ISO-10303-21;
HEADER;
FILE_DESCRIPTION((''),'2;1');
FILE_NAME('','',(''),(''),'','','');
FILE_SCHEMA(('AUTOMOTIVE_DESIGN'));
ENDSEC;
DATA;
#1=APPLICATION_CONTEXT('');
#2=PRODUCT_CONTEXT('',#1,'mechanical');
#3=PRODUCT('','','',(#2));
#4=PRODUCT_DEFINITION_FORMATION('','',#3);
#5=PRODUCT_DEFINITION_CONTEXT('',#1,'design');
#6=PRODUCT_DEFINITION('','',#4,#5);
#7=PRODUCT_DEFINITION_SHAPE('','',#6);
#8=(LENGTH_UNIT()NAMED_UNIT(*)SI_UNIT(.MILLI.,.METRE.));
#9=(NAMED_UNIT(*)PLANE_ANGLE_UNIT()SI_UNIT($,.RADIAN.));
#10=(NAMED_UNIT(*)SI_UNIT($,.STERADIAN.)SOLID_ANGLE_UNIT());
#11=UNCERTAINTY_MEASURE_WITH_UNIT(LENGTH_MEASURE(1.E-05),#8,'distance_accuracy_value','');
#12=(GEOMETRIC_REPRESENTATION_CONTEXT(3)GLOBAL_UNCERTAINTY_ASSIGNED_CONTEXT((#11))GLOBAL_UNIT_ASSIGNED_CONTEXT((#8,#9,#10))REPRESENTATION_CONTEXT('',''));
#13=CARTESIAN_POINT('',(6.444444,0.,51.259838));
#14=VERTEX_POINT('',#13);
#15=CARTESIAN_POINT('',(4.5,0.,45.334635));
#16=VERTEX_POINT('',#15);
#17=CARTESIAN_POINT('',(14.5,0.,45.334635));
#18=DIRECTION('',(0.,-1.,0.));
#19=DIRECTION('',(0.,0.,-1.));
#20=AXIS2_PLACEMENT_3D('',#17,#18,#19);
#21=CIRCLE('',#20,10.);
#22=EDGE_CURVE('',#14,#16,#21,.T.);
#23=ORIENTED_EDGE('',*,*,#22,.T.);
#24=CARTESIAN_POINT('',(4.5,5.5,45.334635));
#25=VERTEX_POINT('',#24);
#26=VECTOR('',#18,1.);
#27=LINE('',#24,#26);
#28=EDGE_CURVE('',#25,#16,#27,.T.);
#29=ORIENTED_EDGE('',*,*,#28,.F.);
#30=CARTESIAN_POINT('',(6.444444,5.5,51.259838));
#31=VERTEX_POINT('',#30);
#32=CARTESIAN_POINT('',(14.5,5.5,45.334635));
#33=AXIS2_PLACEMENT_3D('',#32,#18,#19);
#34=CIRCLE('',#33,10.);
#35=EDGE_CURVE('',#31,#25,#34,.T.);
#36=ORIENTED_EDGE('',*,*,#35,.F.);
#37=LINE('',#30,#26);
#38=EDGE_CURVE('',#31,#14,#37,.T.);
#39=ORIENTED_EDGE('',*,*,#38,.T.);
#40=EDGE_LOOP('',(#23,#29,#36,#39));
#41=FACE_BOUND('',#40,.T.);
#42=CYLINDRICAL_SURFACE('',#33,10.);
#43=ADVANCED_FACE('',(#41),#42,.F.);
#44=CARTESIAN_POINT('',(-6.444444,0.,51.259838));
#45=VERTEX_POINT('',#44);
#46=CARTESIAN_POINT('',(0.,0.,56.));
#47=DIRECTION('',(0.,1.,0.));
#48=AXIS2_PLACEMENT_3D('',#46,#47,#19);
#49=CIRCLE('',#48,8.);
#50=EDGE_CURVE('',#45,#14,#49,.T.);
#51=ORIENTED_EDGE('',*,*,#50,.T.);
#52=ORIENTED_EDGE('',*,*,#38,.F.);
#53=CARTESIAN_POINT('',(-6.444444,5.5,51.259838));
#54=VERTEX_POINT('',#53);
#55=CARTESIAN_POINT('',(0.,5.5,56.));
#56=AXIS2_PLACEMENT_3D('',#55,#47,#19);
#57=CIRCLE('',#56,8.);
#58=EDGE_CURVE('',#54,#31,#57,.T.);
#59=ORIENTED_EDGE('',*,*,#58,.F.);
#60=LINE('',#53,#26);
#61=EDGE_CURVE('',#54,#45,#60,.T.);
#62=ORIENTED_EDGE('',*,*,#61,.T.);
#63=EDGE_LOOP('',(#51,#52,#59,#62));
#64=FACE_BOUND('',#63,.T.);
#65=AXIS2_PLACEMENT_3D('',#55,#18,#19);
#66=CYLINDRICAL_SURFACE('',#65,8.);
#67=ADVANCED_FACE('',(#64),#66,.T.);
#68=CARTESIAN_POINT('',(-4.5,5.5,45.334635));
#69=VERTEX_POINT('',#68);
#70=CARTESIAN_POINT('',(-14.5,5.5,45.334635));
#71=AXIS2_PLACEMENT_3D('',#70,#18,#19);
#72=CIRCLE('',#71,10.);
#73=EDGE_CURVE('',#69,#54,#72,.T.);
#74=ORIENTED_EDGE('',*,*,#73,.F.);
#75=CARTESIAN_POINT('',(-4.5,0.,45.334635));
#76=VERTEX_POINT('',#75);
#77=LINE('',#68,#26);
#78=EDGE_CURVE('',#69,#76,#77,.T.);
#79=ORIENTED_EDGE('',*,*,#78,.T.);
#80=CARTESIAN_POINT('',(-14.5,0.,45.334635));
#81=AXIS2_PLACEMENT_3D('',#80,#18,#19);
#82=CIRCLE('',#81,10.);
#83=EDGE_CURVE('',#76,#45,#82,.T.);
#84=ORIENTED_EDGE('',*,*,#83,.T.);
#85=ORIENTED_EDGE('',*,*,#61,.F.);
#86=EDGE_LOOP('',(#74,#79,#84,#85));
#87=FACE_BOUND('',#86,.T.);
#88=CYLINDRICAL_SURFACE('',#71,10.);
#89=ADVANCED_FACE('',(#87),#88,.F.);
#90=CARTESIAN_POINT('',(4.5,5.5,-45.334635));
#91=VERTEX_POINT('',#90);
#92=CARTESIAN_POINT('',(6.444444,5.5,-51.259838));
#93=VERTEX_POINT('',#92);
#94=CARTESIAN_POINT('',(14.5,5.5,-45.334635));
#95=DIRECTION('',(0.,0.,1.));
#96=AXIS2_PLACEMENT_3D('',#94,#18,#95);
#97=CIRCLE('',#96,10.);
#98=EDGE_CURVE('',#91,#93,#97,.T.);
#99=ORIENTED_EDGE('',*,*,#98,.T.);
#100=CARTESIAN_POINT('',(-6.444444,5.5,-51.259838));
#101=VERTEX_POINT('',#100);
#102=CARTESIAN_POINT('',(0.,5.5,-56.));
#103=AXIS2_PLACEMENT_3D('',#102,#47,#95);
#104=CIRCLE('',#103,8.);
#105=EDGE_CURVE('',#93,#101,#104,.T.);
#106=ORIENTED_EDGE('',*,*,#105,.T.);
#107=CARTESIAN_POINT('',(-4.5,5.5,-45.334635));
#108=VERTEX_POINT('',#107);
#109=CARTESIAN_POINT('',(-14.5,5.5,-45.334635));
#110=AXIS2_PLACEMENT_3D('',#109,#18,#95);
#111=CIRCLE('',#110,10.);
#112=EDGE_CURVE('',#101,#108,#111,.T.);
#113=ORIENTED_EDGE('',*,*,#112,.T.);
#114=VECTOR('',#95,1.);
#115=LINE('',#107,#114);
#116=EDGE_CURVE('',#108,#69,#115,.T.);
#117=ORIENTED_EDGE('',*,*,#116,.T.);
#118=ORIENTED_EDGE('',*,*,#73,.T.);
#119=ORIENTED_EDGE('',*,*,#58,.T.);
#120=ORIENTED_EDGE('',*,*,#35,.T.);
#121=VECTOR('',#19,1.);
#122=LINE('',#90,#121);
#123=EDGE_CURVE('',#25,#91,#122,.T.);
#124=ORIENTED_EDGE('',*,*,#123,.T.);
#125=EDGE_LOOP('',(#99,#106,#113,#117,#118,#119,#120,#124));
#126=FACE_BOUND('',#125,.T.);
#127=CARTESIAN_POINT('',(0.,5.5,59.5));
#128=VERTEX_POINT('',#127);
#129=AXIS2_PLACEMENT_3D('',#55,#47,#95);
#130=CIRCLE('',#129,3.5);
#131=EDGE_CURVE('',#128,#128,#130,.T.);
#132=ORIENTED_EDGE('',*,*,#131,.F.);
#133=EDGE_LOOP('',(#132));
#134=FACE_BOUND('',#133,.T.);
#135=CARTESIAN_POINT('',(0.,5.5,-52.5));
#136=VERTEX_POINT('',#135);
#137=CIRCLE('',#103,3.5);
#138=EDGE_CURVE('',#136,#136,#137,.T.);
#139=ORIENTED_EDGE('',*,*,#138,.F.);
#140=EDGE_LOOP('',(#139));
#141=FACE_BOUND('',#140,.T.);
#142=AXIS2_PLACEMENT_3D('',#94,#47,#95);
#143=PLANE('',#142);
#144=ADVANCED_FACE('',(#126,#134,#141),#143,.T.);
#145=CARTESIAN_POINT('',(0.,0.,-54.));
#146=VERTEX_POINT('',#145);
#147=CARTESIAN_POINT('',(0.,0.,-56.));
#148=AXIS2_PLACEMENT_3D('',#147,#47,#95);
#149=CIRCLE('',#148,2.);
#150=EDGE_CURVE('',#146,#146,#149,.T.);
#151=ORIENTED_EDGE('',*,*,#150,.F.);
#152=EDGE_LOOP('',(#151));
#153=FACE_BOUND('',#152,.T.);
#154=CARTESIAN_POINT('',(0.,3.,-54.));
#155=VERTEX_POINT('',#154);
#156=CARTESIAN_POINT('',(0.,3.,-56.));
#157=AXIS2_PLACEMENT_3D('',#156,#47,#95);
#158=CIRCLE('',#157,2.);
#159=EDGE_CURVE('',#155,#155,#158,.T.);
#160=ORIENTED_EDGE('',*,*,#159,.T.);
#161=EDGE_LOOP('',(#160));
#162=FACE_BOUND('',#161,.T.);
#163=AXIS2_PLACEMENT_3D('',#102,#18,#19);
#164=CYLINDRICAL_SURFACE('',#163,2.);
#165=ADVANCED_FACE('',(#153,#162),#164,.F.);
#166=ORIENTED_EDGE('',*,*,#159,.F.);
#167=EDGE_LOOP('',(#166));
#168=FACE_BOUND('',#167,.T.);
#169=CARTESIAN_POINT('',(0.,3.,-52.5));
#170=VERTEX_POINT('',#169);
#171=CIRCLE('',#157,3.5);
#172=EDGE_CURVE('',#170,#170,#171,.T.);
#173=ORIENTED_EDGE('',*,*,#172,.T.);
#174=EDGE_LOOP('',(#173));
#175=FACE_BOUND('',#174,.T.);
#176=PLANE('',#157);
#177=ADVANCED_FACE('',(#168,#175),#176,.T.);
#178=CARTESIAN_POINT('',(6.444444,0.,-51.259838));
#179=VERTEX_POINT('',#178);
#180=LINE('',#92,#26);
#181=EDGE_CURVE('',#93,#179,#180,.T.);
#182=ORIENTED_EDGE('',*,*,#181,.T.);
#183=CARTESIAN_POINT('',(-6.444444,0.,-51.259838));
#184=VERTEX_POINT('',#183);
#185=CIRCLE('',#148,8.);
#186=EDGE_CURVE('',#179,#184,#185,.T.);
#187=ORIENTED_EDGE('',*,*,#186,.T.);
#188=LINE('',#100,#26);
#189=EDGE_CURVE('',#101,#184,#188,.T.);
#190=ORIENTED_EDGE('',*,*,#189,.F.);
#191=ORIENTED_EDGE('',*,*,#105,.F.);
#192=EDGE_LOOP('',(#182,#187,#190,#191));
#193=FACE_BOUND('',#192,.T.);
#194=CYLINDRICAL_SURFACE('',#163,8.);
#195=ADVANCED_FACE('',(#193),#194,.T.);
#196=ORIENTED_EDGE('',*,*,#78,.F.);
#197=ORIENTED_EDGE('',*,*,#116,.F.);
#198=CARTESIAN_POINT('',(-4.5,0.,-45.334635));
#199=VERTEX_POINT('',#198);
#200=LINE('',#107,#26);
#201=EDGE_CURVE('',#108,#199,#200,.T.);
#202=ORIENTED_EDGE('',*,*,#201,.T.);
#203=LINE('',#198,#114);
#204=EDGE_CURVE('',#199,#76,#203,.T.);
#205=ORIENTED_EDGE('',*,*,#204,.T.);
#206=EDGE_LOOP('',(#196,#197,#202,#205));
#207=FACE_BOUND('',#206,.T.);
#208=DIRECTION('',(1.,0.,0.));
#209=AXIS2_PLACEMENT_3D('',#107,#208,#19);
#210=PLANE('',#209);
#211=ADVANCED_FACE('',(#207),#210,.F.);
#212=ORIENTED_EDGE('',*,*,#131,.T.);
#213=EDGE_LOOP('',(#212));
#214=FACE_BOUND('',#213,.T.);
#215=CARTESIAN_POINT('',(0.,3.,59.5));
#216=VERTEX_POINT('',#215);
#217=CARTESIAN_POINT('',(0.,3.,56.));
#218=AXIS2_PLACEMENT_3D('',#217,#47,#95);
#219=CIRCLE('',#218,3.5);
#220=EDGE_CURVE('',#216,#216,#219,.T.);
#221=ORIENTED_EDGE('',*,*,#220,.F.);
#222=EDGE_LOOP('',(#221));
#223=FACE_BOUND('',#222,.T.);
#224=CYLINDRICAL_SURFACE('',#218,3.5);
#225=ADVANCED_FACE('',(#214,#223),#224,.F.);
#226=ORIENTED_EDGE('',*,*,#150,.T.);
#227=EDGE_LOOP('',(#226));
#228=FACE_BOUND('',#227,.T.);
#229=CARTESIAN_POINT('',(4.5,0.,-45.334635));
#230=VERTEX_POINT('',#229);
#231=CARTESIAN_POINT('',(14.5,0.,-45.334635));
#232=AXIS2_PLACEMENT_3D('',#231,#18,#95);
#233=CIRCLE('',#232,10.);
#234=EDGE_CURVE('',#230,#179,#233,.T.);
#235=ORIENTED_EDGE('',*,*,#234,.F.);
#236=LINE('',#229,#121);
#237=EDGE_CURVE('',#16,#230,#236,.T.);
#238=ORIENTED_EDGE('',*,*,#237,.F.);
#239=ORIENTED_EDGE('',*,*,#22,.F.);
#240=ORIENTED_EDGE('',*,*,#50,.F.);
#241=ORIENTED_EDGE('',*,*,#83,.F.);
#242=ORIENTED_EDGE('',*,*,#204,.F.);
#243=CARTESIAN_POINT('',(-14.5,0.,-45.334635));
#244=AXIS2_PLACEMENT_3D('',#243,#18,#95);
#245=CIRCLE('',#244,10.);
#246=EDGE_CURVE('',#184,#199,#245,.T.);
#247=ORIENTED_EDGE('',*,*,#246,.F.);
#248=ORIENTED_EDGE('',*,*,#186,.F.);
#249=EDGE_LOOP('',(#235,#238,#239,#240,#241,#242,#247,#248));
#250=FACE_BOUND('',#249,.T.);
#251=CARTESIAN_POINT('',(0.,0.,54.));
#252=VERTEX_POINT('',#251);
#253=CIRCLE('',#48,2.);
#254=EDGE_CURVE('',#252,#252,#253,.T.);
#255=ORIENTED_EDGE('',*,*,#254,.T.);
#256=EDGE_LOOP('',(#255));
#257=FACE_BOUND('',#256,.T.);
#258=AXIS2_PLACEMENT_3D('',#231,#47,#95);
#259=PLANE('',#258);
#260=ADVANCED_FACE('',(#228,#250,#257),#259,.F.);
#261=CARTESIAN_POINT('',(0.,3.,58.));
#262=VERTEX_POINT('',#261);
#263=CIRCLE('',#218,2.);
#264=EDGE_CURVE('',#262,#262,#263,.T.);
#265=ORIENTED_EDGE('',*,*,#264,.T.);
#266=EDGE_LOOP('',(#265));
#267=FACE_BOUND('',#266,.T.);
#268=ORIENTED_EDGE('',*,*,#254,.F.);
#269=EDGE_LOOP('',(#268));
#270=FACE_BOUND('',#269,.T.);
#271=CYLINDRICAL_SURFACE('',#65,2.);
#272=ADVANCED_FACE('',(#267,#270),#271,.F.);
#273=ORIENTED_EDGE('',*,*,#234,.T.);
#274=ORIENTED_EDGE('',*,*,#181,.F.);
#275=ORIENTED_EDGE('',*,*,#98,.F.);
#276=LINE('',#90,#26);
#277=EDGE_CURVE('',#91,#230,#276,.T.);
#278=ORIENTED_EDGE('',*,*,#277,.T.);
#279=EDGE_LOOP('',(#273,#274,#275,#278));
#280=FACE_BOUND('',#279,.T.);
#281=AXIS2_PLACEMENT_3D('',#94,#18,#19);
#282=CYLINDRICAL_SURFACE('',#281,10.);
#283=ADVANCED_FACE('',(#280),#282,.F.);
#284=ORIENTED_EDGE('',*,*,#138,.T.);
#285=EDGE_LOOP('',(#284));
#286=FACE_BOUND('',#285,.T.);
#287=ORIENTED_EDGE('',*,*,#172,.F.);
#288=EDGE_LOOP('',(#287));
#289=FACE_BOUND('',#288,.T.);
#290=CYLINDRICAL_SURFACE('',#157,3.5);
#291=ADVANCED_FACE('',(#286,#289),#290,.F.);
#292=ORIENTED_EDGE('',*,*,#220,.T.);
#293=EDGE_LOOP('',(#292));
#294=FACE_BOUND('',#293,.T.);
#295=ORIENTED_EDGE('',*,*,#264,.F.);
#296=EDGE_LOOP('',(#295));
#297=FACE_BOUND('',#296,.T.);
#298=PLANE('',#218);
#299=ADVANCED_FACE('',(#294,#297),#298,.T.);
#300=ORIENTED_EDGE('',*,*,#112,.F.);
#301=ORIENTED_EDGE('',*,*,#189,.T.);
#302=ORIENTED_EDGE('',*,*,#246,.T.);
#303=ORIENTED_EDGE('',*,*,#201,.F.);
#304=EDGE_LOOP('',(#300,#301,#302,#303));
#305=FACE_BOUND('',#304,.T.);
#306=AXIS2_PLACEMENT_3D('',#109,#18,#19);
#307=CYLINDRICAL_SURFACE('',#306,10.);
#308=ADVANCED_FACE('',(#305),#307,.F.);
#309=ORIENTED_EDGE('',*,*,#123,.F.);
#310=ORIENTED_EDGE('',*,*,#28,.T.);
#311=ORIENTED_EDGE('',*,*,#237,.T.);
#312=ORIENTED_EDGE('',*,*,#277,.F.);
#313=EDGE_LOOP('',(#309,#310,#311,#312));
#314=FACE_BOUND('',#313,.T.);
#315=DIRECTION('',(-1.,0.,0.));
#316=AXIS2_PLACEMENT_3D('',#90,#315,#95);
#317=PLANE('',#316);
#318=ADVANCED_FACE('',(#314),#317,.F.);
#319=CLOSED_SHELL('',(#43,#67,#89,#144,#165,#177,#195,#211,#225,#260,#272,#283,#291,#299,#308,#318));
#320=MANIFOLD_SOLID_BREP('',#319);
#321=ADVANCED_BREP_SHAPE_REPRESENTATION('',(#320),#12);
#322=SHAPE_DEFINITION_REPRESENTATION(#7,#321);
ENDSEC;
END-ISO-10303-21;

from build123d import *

# Parameters (mm, degrees)
SKETCH1_R           = 2
BOSS_EXTRUDE1_DEPTH = 5.5
CUT_EXTRUDE1_START  = -2.5
SKETCH2_R           = 3.5
SKETCH2_R_2         = 2
CUT_EXTRUDE1_DEPTH  = 2.5


with BuildPart() as part:
    # Sketch1 → Boss-Extrude1 (new body)
    with BuildSketch(Plane(origin=(0, 0, 0), x_dir=(1, 0, 0), z_dir=(0, 1, 0))):
        with BuildLine():
            Line((-4.5, 45.334635496), (-4.5, -45.334635496))
            ThreePointArc((-4.5, -45.334635496), (-4.998538124, -48.452683318), (-6.444444444, -51.259837998))
            ThreePointArc((-6.444444444, -51.259837998), (0, -64), (6.444444444, -51.259837998))
            ThreePointArc((6.444444444, -51.259837998), (4.998538124, -48.452683318), (4.5, -45.334635496))
            Line((4.5, -45.334635496), (4.5, 45.334635496))
            ThreePointArc((4.5, 45.334635496), (4.998538124, 48.452683318), (6.444444444, 51.259837998))
            ThreePointArc((6.444444444, 51.259837998), (0, 64), (-6.444444444, 51.259837998))
            ThreePointArc((-6.444444444, 51.259837998), (-4.998538124, 48.452683318), (-4.5, 45.334635496))
        make_face()
        with Locations(Location((0, 56, 0), (0, 0, 270))):
            Circle(SKETCH1_R, mode=Mode.SUBTRACT)
        with Locations(Location((0, -56, 0), (0, 0, 90))):
            Circle(SKETCH1_R, mode=Mode.SUBTRACT)
    extrude(amount=BOSS_EXTRUDE1_DEPTH)

    # Sketch2 → Cut-Extrude1 (cut)
    # profile 1 of 2: a face of its own
    with BuildSketch(Plane(origin=(0, 5.5, 0), x_dir=(1, 0, 0), z_dir=(0, 1, 0)).offset(CUT_EXTRUDE1_START)):
        with Locations(Location((0, 56, 0), (0, 0, 270))):
            Circle(SKETCH2_R)
        with Locations(Location((0, 56, 0), (0, 0, 270))):
            Circle(SKETCH2_R_2, mode=Mode.SUBTRACT)
    # profile 2 of 2: a face of its own
    with BuildSketch(Plane(origin=(0, 5.5, 0), x_dir=(1, 0, 0), z_dir=(0, 1, 0)).offset(CUT_EXTRUDE1_START)):
        with Locations(Location((0, -56, 0), (0, 0, 270))):
            Circle(SKETCH2_R)
        with Locations(Location((0, -56, 0), (0, 0, 90))):
            Circle(SKETCH2_R_2, mode=Mode.SUBTRACT)
    extrude(amount=CUT_EXTRUDE1_DEPTH, mode=Mode.SUBTRACT)


solid = part.part
